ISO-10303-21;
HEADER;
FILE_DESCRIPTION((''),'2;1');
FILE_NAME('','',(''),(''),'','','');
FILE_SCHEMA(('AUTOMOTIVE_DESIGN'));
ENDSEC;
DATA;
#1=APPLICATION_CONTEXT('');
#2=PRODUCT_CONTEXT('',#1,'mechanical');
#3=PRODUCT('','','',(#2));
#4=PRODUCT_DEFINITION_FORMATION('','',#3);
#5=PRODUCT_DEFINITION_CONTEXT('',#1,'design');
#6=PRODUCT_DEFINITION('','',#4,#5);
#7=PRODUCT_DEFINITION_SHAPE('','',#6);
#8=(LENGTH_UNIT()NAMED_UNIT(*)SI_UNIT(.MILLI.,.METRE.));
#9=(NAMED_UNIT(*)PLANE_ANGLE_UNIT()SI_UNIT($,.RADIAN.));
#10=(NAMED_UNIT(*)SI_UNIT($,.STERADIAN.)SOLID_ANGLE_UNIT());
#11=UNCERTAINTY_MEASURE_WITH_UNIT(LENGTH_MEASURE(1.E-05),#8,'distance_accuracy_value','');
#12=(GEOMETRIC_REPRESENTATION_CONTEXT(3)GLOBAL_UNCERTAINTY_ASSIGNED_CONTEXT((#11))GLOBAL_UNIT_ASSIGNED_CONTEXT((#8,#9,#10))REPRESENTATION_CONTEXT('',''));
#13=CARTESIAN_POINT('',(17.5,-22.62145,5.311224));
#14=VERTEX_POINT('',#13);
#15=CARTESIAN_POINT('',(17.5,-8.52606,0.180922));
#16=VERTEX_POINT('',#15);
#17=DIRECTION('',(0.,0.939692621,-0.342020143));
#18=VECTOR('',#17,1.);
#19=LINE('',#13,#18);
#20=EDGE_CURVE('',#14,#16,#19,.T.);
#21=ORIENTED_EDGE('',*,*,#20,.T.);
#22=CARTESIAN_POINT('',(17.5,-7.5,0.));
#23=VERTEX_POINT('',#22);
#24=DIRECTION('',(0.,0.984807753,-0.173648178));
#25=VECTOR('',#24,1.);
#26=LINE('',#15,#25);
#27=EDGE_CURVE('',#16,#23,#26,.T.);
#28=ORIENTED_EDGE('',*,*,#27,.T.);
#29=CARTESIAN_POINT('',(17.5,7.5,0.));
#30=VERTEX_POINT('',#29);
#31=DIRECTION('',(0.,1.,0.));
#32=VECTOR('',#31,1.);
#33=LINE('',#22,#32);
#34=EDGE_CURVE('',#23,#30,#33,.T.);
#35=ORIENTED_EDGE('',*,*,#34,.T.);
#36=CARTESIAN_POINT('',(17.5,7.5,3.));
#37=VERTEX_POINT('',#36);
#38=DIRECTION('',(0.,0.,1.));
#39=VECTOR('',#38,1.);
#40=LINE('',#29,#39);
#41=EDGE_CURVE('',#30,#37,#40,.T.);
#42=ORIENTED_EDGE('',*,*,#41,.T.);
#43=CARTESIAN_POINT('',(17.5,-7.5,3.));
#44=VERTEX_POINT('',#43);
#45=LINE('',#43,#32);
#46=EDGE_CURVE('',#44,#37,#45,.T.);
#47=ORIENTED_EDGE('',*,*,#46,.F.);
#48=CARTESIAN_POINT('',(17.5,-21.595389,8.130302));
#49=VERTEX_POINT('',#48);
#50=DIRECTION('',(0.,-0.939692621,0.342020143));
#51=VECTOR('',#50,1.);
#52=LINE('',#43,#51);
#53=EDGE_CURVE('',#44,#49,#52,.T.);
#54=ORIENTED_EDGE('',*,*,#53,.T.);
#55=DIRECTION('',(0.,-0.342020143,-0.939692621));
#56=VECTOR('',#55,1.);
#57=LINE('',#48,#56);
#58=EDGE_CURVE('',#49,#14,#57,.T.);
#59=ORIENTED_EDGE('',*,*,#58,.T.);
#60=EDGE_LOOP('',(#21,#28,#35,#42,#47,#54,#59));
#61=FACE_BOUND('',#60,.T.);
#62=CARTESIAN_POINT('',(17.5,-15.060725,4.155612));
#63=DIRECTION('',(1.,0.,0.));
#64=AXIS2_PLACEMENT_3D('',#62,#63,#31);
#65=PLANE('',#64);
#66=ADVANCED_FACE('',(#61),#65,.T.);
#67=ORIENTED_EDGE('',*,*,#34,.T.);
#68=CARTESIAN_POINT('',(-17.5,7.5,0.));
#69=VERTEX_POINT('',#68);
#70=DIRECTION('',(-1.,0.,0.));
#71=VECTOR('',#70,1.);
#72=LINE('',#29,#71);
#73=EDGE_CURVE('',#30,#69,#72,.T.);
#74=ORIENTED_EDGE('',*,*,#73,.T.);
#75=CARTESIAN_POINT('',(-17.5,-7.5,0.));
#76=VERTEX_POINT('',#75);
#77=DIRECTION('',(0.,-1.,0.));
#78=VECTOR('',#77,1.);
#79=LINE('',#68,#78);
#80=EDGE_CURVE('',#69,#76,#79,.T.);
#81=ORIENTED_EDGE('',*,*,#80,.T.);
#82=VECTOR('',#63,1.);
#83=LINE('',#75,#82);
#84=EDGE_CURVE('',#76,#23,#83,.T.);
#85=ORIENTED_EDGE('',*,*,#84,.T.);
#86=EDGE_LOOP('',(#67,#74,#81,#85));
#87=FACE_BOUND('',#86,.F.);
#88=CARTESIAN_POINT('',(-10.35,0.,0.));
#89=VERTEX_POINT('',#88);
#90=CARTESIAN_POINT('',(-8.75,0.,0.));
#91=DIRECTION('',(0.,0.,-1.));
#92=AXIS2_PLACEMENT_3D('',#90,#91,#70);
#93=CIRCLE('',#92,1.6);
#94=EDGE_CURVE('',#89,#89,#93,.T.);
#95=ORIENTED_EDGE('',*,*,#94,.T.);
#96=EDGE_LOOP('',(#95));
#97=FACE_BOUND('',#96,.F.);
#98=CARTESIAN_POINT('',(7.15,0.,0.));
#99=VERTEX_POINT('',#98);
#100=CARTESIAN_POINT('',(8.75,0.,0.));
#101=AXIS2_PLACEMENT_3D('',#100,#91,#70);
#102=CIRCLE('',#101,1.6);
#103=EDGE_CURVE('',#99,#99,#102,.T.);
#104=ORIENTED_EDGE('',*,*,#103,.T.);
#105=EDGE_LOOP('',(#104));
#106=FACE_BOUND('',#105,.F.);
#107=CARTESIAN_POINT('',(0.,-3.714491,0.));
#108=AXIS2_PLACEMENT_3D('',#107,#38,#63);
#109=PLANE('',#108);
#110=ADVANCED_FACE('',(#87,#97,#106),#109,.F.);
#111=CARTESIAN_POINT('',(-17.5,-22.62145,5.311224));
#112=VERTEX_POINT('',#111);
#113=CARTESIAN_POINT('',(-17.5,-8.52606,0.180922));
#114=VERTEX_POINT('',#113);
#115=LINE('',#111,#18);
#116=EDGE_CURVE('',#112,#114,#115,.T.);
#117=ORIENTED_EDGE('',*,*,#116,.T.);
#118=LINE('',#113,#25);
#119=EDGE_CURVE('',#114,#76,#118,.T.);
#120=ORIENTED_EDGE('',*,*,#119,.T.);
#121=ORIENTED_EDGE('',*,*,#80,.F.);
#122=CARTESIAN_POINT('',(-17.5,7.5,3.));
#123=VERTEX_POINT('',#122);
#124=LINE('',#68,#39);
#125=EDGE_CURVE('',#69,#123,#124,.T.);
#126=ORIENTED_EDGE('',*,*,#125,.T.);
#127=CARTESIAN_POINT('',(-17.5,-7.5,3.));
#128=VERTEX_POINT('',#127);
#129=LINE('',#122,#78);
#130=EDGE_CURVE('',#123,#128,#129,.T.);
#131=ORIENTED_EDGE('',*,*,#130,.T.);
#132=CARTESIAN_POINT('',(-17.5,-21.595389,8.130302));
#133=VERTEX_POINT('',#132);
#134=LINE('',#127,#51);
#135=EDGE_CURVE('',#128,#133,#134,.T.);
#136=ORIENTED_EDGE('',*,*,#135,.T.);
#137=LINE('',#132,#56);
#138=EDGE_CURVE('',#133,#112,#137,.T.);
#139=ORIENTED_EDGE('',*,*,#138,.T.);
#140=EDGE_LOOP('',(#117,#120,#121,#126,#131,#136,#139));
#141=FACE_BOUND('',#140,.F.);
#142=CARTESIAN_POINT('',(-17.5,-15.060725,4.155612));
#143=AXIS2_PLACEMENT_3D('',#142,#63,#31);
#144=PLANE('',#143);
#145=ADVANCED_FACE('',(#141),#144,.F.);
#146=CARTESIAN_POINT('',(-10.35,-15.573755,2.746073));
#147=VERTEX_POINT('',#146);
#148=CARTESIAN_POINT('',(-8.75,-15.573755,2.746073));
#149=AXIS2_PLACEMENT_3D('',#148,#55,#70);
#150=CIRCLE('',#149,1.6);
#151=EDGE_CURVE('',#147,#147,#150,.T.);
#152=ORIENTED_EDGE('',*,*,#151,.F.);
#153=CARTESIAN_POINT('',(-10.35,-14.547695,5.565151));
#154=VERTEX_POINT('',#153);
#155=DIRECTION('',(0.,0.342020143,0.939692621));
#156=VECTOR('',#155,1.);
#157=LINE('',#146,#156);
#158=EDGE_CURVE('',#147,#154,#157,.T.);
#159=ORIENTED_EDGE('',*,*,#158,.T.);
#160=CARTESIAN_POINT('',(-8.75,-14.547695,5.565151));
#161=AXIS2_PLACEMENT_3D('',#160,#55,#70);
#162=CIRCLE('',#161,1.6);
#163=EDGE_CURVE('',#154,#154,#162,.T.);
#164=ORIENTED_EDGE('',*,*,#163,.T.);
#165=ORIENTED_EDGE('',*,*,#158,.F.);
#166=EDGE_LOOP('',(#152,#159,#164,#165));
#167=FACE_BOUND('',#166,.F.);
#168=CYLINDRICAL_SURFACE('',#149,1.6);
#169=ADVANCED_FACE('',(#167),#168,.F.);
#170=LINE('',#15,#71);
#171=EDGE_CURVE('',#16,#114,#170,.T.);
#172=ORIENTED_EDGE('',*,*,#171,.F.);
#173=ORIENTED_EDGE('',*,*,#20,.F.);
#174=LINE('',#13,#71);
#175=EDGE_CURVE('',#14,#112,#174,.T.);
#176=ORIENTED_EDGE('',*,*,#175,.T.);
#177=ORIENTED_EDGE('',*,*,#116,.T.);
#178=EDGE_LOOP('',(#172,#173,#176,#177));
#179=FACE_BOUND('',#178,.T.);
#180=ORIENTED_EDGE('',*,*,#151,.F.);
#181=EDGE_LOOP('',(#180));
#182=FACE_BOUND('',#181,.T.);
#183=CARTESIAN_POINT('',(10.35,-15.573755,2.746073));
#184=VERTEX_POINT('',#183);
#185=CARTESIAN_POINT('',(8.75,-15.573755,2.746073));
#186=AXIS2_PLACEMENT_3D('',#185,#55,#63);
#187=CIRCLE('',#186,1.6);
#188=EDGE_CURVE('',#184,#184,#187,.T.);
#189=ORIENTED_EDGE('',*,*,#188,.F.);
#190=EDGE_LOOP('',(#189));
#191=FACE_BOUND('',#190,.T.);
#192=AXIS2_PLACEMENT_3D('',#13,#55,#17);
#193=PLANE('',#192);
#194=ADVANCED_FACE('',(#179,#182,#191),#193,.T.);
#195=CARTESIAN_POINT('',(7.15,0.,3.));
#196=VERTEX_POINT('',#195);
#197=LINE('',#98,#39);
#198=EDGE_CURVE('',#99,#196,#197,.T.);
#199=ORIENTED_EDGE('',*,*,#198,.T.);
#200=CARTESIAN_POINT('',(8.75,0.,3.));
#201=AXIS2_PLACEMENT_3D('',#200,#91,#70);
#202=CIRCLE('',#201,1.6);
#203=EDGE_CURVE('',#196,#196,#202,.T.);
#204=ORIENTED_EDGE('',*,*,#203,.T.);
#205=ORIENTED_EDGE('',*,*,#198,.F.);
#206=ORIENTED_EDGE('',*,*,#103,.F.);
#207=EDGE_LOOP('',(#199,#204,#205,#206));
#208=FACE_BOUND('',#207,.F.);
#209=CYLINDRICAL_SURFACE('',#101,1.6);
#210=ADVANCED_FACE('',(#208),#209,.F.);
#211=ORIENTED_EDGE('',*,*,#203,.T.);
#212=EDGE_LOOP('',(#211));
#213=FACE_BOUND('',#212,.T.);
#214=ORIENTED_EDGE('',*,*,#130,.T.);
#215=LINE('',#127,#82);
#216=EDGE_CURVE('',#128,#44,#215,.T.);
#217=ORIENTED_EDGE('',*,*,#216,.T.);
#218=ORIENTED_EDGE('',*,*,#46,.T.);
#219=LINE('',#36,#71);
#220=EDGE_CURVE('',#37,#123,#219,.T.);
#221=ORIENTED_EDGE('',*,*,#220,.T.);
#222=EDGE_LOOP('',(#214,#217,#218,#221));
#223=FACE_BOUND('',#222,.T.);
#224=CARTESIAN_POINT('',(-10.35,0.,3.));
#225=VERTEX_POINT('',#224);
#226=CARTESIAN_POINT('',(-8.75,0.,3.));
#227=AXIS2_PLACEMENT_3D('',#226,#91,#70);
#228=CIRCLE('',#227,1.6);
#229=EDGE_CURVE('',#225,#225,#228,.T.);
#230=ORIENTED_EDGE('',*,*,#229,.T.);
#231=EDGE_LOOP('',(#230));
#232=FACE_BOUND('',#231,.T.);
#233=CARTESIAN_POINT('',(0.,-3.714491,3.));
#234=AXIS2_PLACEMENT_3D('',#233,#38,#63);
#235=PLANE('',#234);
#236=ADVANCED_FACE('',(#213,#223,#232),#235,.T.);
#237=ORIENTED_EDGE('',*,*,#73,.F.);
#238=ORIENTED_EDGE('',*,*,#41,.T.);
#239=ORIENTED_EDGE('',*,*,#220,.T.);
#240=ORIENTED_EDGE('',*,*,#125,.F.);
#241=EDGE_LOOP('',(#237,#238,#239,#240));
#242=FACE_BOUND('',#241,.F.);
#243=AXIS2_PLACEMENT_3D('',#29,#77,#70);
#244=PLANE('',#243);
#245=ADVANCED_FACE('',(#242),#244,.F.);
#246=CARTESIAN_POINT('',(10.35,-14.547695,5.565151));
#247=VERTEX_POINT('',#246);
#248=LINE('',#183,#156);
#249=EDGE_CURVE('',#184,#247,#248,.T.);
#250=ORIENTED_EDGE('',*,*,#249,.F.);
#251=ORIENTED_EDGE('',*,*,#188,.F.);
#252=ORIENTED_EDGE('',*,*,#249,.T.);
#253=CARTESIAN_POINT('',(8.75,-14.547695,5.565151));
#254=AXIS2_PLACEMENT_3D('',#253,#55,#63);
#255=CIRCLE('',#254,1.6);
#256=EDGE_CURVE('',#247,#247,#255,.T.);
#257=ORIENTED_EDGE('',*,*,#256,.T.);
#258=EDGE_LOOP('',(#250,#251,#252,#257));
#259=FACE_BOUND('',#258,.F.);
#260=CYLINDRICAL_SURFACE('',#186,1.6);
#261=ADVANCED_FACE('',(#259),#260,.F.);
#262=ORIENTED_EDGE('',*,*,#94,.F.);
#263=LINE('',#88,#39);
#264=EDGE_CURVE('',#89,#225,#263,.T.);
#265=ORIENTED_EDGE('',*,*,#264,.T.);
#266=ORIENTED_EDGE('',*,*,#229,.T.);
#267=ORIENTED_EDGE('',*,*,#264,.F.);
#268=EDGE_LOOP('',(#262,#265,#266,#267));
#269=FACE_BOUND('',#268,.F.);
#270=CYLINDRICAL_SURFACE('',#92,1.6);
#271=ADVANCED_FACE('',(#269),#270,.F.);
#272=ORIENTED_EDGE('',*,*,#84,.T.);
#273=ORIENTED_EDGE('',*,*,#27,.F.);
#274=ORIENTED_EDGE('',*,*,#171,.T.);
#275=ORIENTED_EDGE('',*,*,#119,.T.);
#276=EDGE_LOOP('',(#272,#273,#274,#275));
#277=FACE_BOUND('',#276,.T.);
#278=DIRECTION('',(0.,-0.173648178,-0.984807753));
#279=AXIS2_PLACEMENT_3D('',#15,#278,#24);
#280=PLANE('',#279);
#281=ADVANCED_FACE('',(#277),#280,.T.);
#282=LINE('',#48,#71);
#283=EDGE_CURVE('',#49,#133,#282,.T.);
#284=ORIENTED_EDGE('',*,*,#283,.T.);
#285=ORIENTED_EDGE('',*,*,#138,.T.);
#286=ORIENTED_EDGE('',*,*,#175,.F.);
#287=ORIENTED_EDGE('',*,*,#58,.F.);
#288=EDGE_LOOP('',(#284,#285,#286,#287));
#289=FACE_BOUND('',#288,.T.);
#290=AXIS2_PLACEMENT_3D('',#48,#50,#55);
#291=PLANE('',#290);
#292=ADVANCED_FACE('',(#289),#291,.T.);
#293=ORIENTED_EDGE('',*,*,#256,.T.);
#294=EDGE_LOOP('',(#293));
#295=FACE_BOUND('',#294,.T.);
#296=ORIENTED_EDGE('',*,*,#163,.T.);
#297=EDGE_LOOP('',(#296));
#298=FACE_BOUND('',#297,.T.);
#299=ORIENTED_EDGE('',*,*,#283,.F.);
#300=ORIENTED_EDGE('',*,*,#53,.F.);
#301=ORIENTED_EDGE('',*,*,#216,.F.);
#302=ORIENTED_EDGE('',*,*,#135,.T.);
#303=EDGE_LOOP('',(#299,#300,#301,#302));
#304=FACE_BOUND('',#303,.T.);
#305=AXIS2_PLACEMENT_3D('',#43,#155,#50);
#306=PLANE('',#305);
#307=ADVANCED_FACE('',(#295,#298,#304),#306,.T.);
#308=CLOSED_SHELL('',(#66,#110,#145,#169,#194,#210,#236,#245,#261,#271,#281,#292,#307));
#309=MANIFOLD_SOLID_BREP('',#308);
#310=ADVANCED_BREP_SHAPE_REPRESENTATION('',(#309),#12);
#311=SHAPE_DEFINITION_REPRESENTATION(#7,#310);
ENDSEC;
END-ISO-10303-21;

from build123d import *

# Parameters (mm, degrees)
F1_DEPTH = 3
F3_DEPTH = 35
F5_DEPTH = 25


with BuildPart() as f1:
    # F0 (on Top) → F1 (new body)
    with BuildSketch(Plane.XY):
        with BuildLine():
            Line((-17.5, 0), (-17.5, -7.5))
            Line((-17.5, -7.5), (17.5, -7.5))
            Line((17.5, -7.5), (17.5, 0))
            Line((17.5, 0), (10.35, 0))
            ThreePointArc((10.35, 0), (8.75, -1.6), (7.15, 0))
            Line((7.15, 0), (0, 0))
            Line((0, 0), (-7.15, 0))
            ThreePointArc((-7.15, 0), (-8.75, -1.6), (-10.35, 0))
            Line((-10.35, 0), (-17.5, 0))
        make_face()
        with BuildLine():
            Line((-17.5, 7.5), (-17.5, 0))
            Line((-17.5, 0), (-10.35, 0))
            ThreePointArc((-10.35, 0), (-8.75, 1.6), (-7.15, 0))
            Line((-7.15, 0), (0, 0))
            Line((0, 0), (7.15, 0))
            ThreePointArc((7.15, 0), (8.75, 1.6), (10.35, 0))
            Line((10.35, 0), (17.5, 0))
            Line((17.5, 0), (17.5, 7.5))
            Line((17.5, 7.5), (-17.5, 7.5))
        make_face()
    extrude(amount=F1_DEPTH)

    # F2 (on face) → F3 (join)
    with BuildSketch(Plane.YZ.offset(17.5)):
        Polygon((-8.52606043, 0.1809221376), (-7.5, 3), (-21.5953893118, 8.1303021499), (-22.6214497418, 5.3112242875), align=None)
        Polygon((-7.5, 0), (-7.5, 3), (-8.52606043, 0.1809221376), align=None)
    extrude(amount=-F3_DEPTH)

    # F4 (on face) → F5 (cut)
    with BuildSketch(Plane(origin=(0, -0.9392123538, -2.580464734), x_dir=(1, 0, 0), z_dir=(0, -0.3420201433, -0.9396926208))):
        with BuildLine():
            Line((10.35, 15.5737550859), (7.15, 15.5737550859))
            ThreePointArc((7.15, 15.5737550859), (8.75, 13.9737550859), (10.35, 15.5737550859))
        make_face()
        with BuildLine():
            ThreePointArc((10.35, 15.5737550859), (8.75, 17.1737550859), (7.15, 15.5737550859))
            Line((7.15, 15.5737550859), (10.35, 15.5737550859))
        make_face()
        with BuildLine():
            Line((-10.35, 15.5737550859), (-7.15, 15.5737550859))
            ThreePointArc((-7.15, 15.5737550859), (-8.75, 17.1737550859), (-10.35, 15.5737550859))
        make_face()
        with BuildLine():
            ThreePointArc((-10.35, 15.5737550859), (-8.75, 13.9737550859), (-7.15, 15.5737550859))
            Line((-7.15, 15.5737550859), (-10.35, 15.5737550859))
        make_face()
    extrude(amount=-F5_DEPTH, mode=Mode.SUBTRACT)


solid = f1.part
